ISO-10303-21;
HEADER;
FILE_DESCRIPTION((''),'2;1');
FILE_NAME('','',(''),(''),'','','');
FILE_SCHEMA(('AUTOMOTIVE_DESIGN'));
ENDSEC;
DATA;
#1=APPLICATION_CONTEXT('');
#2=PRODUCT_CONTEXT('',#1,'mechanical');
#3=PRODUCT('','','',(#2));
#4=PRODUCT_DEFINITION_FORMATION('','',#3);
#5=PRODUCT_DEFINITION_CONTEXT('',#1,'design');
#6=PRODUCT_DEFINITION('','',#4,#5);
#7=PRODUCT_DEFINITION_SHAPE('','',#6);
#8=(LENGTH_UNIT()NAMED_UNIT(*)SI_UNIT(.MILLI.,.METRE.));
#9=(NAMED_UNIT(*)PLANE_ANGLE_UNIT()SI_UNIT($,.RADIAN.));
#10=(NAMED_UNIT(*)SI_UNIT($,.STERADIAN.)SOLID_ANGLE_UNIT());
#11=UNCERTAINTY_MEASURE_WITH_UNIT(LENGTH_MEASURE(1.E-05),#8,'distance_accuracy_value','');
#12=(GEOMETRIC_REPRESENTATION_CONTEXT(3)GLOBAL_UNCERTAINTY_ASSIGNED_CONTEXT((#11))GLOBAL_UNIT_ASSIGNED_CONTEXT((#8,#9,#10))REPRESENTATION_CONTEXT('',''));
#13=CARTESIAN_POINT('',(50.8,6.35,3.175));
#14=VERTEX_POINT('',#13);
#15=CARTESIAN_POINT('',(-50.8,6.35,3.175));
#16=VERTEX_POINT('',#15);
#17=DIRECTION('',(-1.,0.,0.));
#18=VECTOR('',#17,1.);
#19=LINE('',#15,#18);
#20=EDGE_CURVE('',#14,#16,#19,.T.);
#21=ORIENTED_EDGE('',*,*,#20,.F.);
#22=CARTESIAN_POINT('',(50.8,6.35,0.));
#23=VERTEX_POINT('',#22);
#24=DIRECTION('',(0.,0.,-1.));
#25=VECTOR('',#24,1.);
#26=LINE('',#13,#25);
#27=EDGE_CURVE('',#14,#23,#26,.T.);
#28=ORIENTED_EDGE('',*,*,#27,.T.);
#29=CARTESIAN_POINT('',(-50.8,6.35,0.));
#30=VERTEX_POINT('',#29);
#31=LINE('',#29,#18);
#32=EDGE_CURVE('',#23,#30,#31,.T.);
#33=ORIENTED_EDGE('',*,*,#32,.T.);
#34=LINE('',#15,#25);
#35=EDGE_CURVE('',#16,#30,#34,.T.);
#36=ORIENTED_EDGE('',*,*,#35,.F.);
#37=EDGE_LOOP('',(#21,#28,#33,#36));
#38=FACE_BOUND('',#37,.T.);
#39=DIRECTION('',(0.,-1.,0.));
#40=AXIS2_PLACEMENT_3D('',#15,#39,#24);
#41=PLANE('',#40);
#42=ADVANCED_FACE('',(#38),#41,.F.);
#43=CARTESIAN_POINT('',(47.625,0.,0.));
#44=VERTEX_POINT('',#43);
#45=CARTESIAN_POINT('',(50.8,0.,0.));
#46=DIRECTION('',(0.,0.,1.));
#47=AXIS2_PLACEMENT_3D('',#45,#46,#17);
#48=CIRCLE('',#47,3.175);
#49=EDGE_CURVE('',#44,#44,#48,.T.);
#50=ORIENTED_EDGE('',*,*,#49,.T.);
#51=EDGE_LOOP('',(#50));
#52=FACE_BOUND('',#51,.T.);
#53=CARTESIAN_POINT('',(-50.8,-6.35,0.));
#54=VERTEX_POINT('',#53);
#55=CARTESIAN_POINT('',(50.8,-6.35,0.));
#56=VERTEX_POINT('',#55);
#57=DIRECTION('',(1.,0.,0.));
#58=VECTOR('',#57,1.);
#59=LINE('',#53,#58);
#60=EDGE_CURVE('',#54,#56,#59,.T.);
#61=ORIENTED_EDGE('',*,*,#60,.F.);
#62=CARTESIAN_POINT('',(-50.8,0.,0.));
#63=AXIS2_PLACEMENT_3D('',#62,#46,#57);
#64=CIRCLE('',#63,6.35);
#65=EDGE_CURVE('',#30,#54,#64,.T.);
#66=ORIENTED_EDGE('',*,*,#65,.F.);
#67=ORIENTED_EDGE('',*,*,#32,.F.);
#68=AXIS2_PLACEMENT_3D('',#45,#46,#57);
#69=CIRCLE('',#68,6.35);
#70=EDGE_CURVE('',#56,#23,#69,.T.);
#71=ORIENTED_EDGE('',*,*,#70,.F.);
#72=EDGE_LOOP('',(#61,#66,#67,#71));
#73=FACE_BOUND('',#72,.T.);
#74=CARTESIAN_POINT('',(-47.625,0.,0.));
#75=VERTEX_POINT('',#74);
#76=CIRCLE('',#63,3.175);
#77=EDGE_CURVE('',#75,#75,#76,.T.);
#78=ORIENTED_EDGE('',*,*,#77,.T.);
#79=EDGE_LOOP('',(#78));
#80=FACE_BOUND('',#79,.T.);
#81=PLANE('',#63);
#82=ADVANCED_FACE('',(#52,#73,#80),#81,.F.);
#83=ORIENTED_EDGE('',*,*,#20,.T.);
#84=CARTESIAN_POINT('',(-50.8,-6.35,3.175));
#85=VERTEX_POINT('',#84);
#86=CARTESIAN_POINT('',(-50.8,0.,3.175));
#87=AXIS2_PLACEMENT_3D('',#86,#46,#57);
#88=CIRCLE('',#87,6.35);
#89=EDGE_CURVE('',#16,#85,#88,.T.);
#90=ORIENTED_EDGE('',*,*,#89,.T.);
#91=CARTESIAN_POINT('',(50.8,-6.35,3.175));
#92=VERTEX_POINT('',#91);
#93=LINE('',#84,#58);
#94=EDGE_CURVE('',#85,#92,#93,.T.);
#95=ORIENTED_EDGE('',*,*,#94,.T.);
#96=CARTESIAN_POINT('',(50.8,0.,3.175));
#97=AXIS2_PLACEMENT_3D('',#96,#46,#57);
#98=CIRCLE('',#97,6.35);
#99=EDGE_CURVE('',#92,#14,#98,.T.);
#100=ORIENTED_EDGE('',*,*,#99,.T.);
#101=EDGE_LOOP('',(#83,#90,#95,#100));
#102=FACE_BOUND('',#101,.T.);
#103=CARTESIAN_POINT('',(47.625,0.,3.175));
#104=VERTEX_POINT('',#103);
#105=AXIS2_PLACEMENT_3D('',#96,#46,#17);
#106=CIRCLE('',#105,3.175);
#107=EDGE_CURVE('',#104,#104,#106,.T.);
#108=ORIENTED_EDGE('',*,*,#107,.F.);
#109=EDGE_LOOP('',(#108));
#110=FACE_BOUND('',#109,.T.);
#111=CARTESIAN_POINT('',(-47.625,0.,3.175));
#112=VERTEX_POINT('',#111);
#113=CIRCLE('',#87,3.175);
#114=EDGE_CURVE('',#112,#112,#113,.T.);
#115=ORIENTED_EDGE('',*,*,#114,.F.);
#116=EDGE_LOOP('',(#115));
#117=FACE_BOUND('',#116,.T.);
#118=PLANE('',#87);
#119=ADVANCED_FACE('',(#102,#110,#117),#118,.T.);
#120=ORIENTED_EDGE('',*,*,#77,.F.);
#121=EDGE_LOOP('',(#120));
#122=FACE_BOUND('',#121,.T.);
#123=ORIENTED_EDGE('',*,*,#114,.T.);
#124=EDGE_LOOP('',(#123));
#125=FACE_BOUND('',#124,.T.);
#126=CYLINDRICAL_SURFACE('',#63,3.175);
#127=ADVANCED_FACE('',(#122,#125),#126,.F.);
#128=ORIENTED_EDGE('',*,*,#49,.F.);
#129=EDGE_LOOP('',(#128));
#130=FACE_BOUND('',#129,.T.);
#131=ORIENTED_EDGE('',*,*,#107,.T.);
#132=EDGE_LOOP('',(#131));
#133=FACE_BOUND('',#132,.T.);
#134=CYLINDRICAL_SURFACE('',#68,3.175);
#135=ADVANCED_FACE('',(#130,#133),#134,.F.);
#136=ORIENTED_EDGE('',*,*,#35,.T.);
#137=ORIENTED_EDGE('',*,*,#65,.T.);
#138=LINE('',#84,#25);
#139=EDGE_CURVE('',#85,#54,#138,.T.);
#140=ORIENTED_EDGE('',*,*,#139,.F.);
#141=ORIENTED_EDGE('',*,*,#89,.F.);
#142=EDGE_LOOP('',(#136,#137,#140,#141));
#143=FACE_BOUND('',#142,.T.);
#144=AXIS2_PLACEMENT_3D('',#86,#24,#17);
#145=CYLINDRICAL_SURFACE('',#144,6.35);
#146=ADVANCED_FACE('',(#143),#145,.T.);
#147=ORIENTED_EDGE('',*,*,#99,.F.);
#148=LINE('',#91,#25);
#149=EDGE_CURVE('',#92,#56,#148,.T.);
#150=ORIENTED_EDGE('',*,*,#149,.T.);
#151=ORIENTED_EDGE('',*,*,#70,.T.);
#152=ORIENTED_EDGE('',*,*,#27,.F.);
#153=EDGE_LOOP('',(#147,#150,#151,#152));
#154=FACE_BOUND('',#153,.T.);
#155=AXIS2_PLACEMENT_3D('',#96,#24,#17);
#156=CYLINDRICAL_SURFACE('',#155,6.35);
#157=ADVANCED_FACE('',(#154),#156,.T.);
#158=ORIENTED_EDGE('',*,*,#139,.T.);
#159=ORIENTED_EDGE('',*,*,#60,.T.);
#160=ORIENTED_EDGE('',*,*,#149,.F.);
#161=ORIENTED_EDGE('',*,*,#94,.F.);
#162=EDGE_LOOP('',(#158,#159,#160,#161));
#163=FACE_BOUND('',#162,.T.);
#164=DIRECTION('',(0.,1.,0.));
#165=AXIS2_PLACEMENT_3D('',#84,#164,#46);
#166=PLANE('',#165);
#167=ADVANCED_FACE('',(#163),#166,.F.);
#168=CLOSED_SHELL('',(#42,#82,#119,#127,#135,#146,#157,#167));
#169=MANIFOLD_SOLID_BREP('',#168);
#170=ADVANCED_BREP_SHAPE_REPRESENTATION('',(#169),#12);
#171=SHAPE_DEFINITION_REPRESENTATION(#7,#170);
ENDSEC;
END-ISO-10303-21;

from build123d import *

# Parameters (mm, degrees)
BOSS_EXTRUDE1_DEPTH = 3.175
SKETCH3_R           = 3.175
CUT_EXTRUDE1_DEPTH  = 58.589283942


with BuildPart() as part:
    # Sketch2 → Boss-Extrude1 (new body)
    with BuildSketch(Plane.XY):
        with BuildLine():
            Line((-50.8, 6.35), (50.8, 6.35))
            ThreePointArc((50.8, 6.35), (57.15, 0), (50.8, -6.35))
            Line((50.8, -6.35), (-50.8, -6.35))
            ThreePointArc((-50.8, -6.35), (-57.15, 0), (-50.8, 6.35))
        make_face()
    extrude(amount=BOSS_EXTRUDE1_DEPTH)

    # Sketch3 → Cut-Extrude1 (cut, through all)
    with BuildSketch(Plane.XY.offset(3.175)):
        with Locations((-50.8, 0)):
            Circle(SKETCH3_R)
        with Locations(Location((50.8, 0, 0), (0, 0, 180))):
            Circle(SKETCH3_R)
    extrude(amount=-CUT_EXTRUDE1_DEPTH, mode=Mode.SUBTRACT)


solid = part.part
